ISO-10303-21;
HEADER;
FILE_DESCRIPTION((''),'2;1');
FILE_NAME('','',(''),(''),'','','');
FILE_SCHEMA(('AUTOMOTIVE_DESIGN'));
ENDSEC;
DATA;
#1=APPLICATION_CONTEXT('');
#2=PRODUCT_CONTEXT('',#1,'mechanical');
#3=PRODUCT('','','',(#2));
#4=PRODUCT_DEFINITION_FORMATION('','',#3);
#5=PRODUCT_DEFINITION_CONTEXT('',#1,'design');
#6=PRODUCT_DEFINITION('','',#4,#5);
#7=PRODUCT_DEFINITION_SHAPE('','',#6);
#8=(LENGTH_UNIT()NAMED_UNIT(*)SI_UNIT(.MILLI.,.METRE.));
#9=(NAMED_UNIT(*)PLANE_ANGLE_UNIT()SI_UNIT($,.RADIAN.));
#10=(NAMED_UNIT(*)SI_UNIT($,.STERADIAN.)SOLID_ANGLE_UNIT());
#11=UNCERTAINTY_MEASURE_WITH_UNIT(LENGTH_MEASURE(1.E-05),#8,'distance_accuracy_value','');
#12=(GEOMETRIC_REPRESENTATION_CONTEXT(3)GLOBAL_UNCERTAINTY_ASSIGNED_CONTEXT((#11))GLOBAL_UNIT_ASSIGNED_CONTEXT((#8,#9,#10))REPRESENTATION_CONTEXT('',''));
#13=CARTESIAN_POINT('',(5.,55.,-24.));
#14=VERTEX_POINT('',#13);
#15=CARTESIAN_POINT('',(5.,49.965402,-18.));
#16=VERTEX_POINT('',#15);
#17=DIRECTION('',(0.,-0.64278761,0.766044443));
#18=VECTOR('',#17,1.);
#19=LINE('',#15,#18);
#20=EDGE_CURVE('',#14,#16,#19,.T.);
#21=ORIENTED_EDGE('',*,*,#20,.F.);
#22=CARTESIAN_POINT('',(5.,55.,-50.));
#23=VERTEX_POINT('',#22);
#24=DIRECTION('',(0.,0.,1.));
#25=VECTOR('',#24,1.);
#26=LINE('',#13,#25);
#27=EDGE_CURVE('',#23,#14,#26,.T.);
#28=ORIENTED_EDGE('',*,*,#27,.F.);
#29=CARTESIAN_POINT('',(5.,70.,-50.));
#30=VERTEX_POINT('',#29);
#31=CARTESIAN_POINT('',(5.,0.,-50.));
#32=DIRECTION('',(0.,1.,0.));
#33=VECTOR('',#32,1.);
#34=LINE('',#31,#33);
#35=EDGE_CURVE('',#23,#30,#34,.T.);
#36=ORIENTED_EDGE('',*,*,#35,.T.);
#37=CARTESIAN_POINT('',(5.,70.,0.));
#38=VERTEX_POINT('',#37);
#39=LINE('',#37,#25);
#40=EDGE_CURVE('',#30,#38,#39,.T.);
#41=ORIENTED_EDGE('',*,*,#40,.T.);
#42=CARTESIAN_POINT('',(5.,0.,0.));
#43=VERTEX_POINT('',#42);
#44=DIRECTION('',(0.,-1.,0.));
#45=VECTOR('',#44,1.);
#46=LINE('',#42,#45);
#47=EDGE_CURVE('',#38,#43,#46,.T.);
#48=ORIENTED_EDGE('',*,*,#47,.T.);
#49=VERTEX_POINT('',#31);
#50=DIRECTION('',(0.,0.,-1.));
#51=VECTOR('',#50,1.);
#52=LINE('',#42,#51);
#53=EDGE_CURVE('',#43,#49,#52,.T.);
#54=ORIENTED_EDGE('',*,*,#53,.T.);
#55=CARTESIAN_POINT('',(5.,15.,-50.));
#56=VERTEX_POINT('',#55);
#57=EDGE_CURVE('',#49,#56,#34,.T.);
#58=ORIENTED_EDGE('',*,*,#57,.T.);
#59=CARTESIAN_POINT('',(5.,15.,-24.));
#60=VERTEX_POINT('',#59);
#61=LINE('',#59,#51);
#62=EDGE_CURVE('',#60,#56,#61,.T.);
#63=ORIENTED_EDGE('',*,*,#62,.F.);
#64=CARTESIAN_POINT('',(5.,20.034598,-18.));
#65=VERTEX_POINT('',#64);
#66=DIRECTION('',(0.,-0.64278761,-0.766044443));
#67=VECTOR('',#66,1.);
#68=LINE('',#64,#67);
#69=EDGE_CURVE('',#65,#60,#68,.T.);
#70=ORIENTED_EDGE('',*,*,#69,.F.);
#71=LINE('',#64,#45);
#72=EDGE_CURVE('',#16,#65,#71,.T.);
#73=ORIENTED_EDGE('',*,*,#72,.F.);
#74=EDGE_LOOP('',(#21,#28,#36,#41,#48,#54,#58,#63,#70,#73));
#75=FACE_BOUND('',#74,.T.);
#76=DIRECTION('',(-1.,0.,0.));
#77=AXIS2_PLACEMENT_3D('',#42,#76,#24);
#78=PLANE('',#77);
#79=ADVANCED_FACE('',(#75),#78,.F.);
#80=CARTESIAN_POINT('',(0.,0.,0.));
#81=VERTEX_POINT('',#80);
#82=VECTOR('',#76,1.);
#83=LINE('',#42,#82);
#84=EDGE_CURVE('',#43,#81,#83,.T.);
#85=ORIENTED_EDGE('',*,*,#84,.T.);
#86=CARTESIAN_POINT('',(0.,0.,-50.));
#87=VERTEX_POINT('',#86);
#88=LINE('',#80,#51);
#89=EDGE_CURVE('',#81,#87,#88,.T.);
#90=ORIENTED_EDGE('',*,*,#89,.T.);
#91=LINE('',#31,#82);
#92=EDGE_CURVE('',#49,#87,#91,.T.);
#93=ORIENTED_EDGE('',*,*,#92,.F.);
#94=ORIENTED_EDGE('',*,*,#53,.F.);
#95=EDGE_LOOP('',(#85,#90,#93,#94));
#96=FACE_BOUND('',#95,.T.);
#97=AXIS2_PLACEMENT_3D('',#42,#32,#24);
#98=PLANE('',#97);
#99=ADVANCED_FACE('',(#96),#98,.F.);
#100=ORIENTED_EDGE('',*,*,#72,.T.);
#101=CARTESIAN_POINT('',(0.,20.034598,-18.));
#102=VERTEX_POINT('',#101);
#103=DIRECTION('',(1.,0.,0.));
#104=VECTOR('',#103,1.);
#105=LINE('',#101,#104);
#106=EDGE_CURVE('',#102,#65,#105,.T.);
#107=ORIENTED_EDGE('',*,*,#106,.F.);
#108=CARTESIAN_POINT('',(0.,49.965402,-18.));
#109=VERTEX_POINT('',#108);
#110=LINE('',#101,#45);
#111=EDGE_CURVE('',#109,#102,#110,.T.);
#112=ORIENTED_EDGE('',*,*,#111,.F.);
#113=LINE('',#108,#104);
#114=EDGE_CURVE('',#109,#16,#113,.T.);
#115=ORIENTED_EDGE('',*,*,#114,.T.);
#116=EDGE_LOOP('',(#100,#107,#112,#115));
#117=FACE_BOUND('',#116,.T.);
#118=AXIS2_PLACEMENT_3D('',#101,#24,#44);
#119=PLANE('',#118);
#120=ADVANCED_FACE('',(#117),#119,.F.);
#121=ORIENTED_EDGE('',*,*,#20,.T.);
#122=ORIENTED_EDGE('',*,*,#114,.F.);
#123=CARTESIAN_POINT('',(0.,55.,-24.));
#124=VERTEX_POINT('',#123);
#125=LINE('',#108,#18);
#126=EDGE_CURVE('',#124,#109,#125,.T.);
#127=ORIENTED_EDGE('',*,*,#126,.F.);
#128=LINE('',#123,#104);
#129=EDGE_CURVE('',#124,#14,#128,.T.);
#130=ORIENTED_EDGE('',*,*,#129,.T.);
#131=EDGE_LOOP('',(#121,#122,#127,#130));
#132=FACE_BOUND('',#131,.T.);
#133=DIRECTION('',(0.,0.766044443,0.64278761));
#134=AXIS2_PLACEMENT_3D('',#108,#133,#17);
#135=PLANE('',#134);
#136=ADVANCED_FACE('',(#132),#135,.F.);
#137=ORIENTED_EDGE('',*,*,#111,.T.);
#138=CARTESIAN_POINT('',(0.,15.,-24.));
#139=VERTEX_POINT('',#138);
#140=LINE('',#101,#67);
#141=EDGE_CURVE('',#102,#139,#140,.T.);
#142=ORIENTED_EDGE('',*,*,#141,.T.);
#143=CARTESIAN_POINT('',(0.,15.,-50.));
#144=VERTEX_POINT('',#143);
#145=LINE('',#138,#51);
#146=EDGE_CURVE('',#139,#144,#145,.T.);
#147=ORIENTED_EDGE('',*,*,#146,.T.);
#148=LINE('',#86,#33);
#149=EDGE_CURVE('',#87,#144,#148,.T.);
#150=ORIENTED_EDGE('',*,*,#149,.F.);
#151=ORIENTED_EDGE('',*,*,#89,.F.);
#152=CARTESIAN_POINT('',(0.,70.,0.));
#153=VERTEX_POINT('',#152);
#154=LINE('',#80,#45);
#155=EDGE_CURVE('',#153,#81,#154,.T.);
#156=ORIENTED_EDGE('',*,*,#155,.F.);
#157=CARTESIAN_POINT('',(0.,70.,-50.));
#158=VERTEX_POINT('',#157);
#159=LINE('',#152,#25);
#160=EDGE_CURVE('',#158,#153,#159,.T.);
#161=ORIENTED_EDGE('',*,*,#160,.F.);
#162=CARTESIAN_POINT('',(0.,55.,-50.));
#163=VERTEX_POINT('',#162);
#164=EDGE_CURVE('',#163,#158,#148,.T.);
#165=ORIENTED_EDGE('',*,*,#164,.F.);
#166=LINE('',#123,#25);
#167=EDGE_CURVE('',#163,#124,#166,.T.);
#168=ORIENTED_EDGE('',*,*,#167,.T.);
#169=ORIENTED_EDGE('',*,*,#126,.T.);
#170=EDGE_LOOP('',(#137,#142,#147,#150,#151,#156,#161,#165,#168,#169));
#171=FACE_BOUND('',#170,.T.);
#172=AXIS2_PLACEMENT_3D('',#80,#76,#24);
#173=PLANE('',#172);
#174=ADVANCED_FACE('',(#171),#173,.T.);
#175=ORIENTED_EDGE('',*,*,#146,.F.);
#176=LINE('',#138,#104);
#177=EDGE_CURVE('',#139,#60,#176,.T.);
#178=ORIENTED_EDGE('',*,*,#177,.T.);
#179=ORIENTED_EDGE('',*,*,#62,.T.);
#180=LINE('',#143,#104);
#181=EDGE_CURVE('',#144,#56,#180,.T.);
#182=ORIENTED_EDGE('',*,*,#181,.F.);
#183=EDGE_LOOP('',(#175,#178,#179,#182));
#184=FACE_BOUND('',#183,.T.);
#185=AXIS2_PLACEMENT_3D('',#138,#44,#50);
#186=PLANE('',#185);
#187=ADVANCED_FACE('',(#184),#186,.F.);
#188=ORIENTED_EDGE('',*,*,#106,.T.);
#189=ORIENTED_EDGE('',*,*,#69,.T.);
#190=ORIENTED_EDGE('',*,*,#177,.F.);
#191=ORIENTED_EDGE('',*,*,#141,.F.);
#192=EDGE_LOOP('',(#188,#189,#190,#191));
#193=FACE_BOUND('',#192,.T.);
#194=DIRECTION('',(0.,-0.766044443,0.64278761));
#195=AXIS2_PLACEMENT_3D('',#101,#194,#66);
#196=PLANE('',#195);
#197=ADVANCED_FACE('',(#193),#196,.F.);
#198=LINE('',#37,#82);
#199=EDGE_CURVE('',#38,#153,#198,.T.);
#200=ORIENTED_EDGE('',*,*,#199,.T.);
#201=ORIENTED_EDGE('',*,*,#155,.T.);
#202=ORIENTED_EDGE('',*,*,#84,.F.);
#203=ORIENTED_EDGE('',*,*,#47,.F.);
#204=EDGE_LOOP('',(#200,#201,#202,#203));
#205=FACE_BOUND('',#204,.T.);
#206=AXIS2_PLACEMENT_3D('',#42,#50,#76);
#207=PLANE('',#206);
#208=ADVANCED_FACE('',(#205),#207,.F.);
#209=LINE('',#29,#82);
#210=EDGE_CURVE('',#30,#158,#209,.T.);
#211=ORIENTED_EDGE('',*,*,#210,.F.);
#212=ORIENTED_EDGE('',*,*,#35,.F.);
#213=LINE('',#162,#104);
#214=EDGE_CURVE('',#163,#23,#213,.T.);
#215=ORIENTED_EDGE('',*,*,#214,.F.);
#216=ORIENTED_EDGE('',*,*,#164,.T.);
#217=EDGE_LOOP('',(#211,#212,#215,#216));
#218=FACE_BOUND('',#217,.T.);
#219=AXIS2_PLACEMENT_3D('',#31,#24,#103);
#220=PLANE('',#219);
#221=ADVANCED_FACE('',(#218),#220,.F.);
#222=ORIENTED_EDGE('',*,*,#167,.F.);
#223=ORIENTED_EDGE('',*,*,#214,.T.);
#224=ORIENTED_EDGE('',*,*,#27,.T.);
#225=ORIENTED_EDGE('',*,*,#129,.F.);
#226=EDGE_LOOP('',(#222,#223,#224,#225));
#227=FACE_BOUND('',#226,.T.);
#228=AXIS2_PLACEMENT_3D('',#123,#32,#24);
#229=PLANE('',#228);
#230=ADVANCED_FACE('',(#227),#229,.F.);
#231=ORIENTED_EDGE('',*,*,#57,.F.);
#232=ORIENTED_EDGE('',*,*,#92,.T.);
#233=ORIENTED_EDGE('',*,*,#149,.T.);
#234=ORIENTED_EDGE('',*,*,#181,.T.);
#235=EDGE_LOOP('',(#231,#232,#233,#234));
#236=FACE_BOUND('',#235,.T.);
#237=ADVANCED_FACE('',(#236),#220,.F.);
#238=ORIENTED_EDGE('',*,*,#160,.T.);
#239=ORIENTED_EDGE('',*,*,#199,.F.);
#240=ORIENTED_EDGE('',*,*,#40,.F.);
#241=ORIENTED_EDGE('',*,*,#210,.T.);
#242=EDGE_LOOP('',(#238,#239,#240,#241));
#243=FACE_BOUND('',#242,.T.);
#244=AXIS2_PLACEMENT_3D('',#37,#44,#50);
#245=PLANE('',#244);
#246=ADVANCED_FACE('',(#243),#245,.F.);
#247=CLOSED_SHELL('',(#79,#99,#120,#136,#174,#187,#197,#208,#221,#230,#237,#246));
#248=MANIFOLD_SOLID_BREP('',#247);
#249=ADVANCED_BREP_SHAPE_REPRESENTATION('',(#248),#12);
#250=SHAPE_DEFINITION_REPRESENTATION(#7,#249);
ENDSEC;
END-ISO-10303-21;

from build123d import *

# Parameters (mm, degrees)
SKIZZE1_W                       = 50
SKIZZE1_H                       = 70
AUFSATZ_LINEAR_AUSTRAGEN1_DEPTH = 5
SCHNITT_LINEAR_AUSTRAGEN1_DEPTH = 87.168439698


with BuildPart() as part:
    # Skizze1 → Aufsatz-Linear austragen1 (new body)
    with BuildSketch(Plane(origin=(0, 0, 0), x_dir=(0, 0, -1), z_dir=(1, 0, 0))):
        with Locations((25, 35)):
            Rectangle(SKIZZE1_W, SKIZZE1_H)
    extrude(amount=AUFSATZ_LINEAR_AUSTRAGEN1_DEPTH)

    # Skizze2 → Schnitt-Linear austragen1 (cut, through all)
    with BuildSketch(Plane(origin=(5, 0, 0), x_dir=(0, 0, -1), z_dir=(1, 0, 0))):
        Polygon((18, 20.034597787), (18, 49.965402213), (24, 55), (50, 55), (50, 15), (24, 15), align=None)
    extrude(amount=-SCHNITT_LINEAR_AUSTRAGEN1_DEPTH, mode=Mode.SUBTRACT)


solid = part.part
